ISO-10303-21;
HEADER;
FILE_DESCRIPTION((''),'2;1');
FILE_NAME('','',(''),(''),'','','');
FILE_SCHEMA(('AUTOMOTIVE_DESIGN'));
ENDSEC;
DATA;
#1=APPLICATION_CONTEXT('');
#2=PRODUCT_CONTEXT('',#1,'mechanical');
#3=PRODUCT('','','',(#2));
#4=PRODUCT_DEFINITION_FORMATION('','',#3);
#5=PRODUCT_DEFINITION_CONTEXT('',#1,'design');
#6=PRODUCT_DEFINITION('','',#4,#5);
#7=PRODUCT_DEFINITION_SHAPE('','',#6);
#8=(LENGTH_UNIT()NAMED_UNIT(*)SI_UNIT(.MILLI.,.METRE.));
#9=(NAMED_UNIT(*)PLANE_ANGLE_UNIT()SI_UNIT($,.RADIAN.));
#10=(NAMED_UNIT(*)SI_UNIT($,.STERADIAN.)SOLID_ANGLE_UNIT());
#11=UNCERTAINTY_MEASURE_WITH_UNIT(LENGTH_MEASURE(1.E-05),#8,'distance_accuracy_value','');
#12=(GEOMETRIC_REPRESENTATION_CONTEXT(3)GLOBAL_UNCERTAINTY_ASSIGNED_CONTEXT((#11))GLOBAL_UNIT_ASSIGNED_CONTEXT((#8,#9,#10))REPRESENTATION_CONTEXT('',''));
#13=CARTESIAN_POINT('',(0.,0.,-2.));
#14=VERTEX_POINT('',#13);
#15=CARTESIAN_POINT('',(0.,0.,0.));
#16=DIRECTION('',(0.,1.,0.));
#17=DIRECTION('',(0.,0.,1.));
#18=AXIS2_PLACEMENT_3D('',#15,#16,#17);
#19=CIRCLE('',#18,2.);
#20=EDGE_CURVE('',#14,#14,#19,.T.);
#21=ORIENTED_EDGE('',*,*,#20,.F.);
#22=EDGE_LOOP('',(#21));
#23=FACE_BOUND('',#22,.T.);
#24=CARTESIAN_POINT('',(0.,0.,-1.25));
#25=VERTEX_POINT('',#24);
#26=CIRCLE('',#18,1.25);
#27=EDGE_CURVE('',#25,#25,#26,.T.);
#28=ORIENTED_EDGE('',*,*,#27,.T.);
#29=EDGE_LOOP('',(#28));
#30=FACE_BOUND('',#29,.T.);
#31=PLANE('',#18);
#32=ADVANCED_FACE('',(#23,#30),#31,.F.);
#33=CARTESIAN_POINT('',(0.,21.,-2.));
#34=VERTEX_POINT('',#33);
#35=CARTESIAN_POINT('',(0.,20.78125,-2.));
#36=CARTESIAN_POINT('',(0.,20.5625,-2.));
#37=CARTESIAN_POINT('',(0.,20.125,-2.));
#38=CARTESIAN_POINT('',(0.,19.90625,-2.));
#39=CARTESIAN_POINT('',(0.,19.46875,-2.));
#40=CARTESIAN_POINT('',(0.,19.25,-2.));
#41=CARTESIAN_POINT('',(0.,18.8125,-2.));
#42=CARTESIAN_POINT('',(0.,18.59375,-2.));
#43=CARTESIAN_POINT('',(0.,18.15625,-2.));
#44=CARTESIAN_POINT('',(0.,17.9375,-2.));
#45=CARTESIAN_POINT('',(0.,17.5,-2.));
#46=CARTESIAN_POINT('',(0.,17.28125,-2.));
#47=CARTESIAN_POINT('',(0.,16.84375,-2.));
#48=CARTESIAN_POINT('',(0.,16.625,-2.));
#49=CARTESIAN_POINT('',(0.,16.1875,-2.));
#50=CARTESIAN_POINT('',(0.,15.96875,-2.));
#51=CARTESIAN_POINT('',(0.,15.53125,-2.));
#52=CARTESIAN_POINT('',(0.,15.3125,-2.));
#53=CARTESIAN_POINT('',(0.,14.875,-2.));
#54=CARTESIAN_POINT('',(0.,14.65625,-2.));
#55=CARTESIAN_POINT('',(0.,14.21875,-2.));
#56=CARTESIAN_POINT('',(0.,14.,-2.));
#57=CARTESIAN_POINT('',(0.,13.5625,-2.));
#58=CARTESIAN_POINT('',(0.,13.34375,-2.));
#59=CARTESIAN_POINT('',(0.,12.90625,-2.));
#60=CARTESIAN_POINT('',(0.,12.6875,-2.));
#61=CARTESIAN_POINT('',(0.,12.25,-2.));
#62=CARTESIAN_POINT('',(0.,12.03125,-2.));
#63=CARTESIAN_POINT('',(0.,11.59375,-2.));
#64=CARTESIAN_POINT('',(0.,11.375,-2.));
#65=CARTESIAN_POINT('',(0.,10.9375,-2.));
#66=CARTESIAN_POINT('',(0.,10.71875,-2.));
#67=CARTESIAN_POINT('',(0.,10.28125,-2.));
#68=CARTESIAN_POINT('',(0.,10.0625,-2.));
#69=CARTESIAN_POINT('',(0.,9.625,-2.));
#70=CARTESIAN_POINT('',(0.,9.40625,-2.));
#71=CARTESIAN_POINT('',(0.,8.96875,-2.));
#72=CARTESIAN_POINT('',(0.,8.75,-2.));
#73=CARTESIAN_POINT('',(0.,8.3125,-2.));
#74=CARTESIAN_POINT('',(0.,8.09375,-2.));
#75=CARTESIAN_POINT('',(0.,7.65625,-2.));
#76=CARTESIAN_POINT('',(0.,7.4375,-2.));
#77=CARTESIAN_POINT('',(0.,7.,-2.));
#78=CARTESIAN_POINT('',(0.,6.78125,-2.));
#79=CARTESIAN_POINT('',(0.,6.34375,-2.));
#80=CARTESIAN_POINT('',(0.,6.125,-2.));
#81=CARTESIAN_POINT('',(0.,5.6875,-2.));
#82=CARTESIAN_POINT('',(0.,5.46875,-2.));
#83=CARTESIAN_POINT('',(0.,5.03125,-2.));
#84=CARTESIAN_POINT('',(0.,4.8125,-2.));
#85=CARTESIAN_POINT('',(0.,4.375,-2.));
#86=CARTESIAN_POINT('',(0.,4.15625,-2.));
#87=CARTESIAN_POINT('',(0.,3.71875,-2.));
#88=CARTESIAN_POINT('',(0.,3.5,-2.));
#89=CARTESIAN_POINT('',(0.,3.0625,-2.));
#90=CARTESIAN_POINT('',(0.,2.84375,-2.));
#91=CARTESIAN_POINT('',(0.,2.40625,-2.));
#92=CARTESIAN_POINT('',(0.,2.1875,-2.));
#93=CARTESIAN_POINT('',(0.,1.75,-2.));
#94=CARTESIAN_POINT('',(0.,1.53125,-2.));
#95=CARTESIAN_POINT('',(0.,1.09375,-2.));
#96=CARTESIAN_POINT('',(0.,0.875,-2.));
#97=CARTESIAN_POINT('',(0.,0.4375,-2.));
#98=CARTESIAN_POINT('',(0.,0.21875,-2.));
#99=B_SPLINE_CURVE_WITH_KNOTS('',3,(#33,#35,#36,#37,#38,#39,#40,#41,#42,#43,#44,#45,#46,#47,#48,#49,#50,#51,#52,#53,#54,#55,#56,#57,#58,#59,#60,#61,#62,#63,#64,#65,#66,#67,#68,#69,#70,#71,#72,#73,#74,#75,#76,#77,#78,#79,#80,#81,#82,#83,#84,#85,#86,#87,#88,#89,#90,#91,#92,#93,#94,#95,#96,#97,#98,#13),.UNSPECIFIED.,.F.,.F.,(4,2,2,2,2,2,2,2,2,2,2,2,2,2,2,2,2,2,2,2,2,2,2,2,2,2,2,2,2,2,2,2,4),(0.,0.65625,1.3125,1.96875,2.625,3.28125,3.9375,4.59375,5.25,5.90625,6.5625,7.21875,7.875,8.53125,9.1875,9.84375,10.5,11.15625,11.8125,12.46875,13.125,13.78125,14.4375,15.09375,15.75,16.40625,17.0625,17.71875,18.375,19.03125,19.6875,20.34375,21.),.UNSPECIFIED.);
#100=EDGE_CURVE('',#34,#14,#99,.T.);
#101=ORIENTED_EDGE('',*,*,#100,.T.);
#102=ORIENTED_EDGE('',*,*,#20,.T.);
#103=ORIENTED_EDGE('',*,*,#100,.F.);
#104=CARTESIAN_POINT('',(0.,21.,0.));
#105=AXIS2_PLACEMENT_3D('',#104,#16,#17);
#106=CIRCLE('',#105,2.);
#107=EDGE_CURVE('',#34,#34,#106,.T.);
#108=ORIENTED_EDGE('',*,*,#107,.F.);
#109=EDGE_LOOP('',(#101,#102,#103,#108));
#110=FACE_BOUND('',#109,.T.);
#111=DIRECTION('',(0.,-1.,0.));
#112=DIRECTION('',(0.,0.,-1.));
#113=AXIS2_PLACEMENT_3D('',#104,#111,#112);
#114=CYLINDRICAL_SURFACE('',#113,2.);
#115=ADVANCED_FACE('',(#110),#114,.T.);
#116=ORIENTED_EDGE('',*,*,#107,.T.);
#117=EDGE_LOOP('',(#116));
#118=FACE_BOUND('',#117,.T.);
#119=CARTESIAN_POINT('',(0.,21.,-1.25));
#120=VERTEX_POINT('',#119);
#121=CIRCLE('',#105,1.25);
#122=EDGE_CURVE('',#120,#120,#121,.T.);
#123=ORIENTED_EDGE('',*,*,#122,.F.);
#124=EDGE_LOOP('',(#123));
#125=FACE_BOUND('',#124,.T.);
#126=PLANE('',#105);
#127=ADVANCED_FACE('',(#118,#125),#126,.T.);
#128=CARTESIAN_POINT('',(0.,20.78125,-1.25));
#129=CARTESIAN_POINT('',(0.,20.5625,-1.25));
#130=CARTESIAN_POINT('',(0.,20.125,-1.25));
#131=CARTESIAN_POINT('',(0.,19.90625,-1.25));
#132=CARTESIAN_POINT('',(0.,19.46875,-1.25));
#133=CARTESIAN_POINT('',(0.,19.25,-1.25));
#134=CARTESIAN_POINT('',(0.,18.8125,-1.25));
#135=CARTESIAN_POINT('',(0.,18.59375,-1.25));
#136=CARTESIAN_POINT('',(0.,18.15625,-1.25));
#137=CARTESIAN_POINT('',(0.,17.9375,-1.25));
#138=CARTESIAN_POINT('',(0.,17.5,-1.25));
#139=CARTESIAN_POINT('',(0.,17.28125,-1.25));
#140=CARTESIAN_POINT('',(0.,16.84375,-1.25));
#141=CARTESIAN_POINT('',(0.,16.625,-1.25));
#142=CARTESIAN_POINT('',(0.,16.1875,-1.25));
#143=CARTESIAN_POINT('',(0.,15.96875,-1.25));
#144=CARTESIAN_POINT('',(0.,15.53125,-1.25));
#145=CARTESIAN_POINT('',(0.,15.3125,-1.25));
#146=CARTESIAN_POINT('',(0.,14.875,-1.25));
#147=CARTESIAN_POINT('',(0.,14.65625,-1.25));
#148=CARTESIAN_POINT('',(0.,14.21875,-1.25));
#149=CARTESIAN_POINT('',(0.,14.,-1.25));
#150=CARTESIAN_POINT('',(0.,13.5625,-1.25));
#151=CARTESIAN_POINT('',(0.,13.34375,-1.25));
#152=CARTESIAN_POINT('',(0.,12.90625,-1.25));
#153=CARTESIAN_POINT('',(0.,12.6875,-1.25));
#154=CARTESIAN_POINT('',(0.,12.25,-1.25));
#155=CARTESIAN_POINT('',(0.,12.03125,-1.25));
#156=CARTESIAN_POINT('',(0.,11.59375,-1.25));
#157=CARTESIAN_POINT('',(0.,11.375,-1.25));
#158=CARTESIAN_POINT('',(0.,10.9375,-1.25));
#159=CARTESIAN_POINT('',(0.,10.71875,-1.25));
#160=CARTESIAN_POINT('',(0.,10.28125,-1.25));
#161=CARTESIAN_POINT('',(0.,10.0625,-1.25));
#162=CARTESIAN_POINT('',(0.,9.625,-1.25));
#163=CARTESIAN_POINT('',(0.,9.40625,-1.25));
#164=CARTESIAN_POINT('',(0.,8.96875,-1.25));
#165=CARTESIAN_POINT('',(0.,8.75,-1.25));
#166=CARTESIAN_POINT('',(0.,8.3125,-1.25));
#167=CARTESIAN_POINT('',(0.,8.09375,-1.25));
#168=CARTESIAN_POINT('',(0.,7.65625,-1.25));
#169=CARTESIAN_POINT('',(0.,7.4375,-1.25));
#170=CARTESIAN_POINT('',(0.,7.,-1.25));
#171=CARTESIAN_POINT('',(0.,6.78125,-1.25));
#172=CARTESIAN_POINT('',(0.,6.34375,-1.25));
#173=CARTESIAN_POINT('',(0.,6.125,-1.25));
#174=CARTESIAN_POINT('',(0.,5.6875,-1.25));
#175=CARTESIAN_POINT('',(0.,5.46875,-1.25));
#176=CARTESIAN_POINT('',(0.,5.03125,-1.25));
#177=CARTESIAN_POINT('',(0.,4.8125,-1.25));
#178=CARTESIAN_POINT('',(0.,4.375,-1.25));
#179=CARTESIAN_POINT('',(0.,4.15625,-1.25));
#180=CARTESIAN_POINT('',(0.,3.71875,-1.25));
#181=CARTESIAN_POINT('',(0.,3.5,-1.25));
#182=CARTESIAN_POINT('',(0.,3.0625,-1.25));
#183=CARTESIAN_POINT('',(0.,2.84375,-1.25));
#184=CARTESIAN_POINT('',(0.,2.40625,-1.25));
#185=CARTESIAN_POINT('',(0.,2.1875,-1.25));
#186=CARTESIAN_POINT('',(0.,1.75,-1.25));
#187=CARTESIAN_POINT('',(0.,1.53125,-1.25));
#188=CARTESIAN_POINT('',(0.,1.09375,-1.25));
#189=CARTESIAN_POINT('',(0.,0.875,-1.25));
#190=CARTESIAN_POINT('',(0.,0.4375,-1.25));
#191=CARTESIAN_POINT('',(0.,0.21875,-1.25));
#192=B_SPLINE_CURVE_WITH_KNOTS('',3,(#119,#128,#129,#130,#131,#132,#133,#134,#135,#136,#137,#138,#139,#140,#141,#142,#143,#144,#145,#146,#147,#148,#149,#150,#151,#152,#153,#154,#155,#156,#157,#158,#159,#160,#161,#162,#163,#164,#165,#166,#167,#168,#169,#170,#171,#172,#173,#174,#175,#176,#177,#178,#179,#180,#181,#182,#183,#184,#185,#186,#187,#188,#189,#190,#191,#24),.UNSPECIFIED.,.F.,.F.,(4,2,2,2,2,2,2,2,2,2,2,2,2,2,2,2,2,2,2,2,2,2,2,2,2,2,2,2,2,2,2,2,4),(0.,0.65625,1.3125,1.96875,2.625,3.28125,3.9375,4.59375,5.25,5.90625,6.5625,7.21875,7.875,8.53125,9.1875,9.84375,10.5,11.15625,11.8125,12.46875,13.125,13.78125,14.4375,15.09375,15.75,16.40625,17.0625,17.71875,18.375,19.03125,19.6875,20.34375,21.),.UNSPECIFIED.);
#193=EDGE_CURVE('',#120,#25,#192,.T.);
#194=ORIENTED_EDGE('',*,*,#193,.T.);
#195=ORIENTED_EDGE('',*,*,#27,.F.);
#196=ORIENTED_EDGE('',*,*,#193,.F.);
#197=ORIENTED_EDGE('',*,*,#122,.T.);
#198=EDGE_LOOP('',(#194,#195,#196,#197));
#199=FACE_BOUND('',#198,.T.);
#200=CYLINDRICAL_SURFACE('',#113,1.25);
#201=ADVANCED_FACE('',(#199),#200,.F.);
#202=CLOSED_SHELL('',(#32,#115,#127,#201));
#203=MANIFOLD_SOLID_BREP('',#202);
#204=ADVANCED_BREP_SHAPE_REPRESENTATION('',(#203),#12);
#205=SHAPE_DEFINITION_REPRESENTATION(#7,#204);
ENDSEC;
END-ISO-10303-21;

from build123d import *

# Parameters (mm, degrees)
SKETCH_2_R      = 2
SKETCH_2_R_2    = 1.25
EXTRUDE_1_DEPTH = 21


with BuildPart() as part:
    # 草图2 → 凸台-拉伸1 (new body)
    with BuildSketch(Plane(origin=(0, 0, 0), x_dir=(1, 0, 0), z_dir=(0, 1, 0))):
        with Locations(Location((0, 0, 0), (0, 0, 90))):
            Circle(SKETCH_2_R)
        with Locations(Location((0, 0, 0), (0, 0, 90))):
            Circle(SKETCH_2_R_2, mode=Mode.SUBTRACT)
    extrude(amount=EXTRUDE_1_DEPTH)


solid = part.part
